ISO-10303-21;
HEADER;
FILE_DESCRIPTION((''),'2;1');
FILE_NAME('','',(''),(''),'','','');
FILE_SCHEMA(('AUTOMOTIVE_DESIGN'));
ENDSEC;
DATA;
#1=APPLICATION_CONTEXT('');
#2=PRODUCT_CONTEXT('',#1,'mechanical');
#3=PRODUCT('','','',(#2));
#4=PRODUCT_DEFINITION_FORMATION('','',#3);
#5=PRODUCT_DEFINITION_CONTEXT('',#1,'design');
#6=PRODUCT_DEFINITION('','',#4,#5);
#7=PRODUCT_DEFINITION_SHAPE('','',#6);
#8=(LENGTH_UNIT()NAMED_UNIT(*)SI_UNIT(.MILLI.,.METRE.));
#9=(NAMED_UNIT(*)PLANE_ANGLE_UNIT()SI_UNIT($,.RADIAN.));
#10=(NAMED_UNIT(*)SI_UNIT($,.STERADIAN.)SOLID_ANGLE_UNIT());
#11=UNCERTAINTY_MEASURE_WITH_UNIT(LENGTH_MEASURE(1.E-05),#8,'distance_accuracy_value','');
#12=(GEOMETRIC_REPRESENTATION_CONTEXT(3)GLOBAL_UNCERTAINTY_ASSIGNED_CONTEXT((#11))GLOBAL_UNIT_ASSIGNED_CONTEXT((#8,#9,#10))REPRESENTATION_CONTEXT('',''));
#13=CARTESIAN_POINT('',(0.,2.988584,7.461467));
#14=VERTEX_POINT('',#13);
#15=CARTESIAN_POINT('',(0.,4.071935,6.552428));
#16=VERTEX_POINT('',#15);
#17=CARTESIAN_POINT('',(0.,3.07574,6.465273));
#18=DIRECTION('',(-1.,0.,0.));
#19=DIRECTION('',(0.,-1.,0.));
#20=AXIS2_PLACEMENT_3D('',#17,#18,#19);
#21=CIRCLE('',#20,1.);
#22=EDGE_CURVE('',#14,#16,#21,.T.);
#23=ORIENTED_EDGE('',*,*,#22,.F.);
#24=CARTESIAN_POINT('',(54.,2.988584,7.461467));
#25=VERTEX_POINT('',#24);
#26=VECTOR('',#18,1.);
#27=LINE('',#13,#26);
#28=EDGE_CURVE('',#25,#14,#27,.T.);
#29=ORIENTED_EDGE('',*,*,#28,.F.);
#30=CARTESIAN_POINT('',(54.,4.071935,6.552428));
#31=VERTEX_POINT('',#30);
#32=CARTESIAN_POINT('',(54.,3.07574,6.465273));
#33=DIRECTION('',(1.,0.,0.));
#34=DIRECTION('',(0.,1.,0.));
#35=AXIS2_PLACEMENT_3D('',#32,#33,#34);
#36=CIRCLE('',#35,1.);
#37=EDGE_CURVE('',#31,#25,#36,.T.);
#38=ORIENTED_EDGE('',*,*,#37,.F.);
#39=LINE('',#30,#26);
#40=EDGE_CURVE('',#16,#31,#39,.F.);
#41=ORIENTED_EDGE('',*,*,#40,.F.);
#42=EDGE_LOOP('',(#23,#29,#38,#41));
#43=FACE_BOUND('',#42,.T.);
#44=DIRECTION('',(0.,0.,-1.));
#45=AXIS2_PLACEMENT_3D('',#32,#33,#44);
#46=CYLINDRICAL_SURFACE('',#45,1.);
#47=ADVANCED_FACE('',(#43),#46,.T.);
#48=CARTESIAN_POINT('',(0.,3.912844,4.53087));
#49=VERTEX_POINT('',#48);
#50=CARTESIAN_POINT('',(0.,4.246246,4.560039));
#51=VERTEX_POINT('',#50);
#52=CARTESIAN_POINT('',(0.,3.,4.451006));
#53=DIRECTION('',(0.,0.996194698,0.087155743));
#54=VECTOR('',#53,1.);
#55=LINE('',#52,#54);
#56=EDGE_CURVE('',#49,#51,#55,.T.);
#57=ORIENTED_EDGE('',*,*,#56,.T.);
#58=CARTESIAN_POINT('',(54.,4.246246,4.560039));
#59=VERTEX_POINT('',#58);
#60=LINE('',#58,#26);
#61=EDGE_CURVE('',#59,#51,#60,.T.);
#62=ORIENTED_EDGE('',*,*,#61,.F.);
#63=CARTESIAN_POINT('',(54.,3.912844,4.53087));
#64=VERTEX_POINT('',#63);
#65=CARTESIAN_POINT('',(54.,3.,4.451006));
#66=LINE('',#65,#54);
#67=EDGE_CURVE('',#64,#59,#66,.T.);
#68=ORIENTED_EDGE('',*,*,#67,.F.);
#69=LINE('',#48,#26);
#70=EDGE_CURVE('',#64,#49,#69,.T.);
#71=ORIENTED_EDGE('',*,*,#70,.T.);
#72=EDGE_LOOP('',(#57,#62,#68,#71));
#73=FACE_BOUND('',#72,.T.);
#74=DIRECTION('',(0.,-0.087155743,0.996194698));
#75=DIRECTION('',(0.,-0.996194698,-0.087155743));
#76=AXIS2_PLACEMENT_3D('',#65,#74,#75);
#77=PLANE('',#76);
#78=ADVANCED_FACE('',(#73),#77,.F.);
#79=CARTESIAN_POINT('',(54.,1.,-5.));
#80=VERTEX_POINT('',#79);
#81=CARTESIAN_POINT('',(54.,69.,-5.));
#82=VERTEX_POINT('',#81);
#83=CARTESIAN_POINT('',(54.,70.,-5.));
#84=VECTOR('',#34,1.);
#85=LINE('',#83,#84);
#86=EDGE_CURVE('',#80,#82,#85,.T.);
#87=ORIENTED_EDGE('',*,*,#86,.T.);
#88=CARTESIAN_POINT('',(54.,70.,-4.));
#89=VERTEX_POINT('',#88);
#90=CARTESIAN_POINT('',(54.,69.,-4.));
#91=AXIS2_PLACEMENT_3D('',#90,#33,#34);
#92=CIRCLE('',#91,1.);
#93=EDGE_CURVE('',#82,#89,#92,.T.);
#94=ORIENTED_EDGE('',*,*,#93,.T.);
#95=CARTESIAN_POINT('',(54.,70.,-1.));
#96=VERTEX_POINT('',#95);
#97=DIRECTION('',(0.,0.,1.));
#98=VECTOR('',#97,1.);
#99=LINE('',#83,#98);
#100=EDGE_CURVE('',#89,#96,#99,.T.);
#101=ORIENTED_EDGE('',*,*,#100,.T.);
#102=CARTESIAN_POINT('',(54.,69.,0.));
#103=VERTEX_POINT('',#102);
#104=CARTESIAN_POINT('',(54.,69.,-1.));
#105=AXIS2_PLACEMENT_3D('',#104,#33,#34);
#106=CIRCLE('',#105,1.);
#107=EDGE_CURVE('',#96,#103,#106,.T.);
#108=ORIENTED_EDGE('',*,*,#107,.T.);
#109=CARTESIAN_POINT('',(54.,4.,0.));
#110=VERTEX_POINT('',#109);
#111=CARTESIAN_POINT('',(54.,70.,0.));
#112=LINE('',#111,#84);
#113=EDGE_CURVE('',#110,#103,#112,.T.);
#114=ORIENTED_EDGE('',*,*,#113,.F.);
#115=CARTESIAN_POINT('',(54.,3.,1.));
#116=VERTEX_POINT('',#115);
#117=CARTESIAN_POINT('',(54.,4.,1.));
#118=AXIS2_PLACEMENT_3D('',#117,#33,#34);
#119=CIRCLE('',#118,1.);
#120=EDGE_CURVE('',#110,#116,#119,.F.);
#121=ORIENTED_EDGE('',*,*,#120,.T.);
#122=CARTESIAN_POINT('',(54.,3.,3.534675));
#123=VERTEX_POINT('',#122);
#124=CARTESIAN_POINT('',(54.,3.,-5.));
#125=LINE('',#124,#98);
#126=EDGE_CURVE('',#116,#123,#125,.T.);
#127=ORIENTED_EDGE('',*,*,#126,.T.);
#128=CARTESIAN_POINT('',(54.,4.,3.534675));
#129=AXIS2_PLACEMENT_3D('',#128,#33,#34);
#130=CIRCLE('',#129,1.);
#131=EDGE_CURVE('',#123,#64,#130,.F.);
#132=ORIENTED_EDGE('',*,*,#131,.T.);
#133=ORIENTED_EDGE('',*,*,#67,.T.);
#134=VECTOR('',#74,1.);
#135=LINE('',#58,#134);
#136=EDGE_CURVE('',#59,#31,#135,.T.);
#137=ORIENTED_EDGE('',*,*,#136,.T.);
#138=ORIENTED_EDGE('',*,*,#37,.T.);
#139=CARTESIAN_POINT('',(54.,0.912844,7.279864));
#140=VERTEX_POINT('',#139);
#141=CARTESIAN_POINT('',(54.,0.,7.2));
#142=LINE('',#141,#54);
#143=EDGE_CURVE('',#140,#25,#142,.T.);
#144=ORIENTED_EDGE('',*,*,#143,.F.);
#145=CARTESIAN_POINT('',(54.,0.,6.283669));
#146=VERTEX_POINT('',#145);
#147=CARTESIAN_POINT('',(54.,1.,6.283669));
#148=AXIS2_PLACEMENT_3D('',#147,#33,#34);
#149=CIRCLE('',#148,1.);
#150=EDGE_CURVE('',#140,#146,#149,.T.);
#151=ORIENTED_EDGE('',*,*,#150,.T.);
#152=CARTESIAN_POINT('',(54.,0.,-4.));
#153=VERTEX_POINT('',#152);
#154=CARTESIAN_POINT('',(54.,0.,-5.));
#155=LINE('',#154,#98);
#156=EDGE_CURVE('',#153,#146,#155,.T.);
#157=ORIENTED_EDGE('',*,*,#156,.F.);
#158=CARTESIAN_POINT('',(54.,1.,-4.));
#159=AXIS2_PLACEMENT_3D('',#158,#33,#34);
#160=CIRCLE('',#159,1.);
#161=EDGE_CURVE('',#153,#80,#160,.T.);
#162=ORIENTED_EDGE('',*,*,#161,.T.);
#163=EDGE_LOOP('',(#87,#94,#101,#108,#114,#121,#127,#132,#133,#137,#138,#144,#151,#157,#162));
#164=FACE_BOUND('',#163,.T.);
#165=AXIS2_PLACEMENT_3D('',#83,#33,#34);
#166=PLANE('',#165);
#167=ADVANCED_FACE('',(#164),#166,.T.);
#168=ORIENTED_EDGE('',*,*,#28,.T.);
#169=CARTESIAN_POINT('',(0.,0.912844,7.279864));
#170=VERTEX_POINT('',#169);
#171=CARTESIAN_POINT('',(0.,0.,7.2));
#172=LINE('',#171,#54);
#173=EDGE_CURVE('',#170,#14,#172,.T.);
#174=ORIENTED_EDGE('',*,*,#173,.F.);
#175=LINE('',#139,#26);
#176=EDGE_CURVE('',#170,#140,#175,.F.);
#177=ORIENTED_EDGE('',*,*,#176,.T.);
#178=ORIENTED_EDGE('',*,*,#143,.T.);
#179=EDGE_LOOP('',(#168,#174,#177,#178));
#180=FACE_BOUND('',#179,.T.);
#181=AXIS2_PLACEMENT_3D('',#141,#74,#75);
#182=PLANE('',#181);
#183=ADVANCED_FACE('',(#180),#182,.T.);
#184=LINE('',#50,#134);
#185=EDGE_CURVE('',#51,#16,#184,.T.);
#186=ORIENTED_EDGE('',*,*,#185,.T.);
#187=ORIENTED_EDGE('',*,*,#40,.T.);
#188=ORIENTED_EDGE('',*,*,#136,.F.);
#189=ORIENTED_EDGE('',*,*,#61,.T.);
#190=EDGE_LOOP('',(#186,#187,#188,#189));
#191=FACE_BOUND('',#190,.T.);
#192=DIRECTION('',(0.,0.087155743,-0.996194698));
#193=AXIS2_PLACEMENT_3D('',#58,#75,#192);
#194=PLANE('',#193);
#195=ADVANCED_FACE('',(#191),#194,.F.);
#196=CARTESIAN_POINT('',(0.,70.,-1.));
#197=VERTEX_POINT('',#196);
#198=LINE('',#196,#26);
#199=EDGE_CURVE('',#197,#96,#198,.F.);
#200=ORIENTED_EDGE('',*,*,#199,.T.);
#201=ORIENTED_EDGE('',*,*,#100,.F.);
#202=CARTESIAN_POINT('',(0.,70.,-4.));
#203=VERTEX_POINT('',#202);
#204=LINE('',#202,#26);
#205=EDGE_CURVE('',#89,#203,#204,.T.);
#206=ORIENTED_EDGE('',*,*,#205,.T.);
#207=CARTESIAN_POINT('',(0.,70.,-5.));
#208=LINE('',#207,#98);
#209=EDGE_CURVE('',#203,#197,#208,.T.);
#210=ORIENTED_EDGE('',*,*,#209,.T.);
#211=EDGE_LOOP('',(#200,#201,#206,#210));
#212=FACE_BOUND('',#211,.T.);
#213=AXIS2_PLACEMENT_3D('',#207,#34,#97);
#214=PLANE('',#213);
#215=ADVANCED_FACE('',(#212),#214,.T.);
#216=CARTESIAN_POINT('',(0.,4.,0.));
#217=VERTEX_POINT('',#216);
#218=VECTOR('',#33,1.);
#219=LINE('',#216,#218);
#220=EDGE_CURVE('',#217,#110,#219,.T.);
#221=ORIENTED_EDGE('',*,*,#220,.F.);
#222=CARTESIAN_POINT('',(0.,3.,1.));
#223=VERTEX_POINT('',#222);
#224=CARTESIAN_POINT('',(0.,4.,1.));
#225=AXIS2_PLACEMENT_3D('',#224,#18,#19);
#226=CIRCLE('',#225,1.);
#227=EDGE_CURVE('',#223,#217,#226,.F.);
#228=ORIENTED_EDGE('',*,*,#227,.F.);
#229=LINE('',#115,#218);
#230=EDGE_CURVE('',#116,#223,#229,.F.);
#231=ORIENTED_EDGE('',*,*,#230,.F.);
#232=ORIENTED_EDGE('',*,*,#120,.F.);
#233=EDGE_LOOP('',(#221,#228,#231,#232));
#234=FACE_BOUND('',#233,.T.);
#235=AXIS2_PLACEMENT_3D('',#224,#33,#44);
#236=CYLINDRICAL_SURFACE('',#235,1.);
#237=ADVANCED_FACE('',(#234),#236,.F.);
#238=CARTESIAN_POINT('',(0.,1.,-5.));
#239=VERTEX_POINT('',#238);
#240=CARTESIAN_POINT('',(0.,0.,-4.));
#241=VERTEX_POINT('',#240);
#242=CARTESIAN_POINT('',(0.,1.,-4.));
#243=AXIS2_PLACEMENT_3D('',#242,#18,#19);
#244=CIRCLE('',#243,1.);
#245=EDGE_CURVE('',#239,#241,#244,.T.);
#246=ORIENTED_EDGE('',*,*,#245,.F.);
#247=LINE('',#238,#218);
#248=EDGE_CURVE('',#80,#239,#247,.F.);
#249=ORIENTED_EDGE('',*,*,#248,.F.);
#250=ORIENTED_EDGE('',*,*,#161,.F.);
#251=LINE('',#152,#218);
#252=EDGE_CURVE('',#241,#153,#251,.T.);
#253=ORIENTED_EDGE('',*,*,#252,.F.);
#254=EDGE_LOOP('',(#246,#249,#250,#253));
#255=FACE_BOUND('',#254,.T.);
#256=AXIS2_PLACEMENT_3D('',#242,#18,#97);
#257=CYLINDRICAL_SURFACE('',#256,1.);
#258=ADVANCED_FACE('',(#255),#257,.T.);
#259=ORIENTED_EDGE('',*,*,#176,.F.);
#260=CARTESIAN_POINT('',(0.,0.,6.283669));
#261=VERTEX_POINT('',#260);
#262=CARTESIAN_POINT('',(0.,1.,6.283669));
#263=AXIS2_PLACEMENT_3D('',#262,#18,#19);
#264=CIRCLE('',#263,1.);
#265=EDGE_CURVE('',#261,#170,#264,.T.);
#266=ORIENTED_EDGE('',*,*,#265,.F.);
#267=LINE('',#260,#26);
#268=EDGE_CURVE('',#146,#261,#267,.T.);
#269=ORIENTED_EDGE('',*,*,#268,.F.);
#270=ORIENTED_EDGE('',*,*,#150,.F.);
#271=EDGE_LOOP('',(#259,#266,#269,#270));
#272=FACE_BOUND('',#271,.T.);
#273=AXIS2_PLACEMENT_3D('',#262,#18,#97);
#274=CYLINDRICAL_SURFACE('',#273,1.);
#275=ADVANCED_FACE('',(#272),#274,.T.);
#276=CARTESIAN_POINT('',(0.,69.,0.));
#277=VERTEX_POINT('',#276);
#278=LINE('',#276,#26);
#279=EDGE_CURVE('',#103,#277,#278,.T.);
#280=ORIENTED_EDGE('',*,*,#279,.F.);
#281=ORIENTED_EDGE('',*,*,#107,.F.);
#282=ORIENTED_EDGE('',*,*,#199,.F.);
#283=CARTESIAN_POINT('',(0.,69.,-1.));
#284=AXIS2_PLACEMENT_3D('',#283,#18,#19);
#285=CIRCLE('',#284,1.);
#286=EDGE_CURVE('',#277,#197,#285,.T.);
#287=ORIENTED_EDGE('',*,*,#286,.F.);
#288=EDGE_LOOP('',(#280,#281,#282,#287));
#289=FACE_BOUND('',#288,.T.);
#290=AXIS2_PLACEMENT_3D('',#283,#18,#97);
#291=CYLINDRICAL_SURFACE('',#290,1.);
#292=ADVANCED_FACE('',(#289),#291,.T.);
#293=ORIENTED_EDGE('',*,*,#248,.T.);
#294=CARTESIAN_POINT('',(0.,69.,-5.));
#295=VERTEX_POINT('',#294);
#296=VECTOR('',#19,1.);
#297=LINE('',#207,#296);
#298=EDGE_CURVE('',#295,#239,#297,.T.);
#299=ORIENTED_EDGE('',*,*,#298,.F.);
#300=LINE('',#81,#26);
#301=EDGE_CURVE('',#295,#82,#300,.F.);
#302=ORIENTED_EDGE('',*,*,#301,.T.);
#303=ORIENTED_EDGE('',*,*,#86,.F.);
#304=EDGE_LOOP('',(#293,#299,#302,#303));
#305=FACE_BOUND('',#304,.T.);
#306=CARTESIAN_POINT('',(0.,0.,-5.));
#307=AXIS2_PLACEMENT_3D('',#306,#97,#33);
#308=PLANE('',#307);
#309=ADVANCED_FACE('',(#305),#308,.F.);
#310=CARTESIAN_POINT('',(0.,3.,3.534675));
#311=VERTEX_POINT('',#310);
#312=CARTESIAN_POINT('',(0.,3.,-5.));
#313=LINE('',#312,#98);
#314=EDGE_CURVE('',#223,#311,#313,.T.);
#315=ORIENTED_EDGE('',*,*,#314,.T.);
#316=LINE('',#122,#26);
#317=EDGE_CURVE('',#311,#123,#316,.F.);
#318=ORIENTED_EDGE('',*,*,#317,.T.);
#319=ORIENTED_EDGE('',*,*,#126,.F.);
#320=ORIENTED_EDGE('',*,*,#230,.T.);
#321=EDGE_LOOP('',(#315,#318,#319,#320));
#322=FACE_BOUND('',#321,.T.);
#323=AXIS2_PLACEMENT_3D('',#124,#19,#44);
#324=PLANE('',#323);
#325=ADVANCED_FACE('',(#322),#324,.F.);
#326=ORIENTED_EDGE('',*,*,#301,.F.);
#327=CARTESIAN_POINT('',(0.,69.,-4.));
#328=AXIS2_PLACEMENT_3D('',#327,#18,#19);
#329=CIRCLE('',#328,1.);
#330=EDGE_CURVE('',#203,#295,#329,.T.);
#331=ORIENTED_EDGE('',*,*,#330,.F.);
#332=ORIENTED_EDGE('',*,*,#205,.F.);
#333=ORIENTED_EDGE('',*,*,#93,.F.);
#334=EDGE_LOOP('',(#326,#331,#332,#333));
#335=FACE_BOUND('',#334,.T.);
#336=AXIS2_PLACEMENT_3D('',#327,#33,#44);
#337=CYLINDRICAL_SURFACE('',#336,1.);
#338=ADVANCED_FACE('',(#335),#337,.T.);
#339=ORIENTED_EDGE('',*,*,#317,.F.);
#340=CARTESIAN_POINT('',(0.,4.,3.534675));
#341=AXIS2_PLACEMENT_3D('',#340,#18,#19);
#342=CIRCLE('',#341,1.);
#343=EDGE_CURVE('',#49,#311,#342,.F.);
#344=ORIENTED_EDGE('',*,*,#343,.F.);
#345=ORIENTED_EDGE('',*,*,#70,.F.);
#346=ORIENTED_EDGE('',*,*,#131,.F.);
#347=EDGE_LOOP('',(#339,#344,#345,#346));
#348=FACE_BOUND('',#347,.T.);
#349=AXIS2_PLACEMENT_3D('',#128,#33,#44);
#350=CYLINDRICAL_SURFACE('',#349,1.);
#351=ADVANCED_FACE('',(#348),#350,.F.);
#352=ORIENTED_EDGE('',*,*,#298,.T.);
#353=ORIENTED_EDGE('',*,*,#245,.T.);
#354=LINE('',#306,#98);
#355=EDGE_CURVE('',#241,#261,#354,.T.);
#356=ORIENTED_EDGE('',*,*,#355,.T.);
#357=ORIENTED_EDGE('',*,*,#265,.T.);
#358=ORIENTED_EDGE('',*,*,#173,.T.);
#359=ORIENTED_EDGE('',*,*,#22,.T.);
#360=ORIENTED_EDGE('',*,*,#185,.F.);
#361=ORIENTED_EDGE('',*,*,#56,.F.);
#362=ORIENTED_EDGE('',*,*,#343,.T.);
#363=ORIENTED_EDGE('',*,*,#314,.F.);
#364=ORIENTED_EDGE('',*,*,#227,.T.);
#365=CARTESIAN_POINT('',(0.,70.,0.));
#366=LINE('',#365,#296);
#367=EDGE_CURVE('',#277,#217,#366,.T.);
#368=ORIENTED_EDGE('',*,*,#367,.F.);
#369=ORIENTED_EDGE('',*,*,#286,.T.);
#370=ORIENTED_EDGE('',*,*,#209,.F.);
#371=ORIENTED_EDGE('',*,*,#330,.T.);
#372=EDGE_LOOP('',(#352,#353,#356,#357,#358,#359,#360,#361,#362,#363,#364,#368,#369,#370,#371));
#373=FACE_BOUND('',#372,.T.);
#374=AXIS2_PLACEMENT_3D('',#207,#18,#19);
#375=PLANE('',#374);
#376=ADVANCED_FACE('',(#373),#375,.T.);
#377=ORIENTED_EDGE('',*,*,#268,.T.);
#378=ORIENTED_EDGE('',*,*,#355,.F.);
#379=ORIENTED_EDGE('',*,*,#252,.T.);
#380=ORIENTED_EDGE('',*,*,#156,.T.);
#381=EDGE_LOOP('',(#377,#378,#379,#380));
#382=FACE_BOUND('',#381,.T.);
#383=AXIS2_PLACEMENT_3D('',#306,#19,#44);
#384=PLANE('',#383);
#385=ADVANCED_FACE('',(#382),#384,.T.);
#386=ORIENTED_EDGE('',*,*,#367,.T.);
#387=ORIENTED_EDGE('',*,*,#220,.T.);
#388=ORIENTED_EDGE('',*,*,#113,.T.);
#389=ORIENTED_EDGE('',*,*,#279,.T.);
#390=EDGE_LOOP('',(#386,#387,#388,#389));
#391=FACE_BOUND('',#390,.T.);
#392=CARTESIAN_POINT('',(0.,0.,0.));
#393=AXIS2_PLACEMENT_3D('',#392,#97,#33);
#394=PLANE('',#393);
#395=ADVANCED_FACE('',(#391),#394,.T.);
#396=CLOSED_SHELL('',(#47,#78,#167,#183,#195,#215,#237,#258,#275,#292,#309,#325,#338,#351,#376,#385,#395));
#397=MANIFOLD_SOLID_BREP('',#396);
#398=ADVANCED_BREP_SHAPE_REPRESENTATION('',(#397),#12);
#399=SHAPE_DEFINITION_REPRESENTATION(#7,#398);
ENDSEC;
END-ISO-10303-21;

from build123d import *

# Parameters (mm, degrees)
SKETCH2_W           = 54
SKETCH2_H           = 70
BOSS_EXTRUDE1_DEPTH = 5
BOSS_EXTRUDE3_DEPTH = 54
FILLET1_R           = 1


with BuildPart() as part:
    # Sketch2 → Boss-Extrude1 (new body)
    with BuildSketch(Plane.XY):
        with Locations((27, 35)):
            Rectangle(SKETCH2_W, SKETCH2_H)
    extrude(amount=-BOSS_EXTRUDE1_DEPTH)

    # Sketch6 → Boss-Extrude3 (add, through all)
    with BuildSketch(Plane(origin=(0, 0, 0), x_dir=(0, 0, -1), z_dir=(1, 0, 0))):
        Polygon((5, 0), (5, 3), (-4.451006478, 3), (-4.560038877, 4.246246021), (-7.548622971, 3.984778792), (-7.2, 0), align=None)
    extrude(amount=BOSS_EXTRUDE3_DEPTH)

    # Fillet1
    fillet1_edges = [part.edges().sort_by_distance(p)[0] for p in [
        (27, 3, 0),
        (27, 70, -5),
        (27, 3, 4.451006478),
        (27, 3.984778792, 7.548622971),
        (27, 0, 7.2),
        (27, 70, 0),
        (27, 0, -5),
    ]]
    fillet(fillet1_edges, radius=FILLET1_R)


solid = part.part
